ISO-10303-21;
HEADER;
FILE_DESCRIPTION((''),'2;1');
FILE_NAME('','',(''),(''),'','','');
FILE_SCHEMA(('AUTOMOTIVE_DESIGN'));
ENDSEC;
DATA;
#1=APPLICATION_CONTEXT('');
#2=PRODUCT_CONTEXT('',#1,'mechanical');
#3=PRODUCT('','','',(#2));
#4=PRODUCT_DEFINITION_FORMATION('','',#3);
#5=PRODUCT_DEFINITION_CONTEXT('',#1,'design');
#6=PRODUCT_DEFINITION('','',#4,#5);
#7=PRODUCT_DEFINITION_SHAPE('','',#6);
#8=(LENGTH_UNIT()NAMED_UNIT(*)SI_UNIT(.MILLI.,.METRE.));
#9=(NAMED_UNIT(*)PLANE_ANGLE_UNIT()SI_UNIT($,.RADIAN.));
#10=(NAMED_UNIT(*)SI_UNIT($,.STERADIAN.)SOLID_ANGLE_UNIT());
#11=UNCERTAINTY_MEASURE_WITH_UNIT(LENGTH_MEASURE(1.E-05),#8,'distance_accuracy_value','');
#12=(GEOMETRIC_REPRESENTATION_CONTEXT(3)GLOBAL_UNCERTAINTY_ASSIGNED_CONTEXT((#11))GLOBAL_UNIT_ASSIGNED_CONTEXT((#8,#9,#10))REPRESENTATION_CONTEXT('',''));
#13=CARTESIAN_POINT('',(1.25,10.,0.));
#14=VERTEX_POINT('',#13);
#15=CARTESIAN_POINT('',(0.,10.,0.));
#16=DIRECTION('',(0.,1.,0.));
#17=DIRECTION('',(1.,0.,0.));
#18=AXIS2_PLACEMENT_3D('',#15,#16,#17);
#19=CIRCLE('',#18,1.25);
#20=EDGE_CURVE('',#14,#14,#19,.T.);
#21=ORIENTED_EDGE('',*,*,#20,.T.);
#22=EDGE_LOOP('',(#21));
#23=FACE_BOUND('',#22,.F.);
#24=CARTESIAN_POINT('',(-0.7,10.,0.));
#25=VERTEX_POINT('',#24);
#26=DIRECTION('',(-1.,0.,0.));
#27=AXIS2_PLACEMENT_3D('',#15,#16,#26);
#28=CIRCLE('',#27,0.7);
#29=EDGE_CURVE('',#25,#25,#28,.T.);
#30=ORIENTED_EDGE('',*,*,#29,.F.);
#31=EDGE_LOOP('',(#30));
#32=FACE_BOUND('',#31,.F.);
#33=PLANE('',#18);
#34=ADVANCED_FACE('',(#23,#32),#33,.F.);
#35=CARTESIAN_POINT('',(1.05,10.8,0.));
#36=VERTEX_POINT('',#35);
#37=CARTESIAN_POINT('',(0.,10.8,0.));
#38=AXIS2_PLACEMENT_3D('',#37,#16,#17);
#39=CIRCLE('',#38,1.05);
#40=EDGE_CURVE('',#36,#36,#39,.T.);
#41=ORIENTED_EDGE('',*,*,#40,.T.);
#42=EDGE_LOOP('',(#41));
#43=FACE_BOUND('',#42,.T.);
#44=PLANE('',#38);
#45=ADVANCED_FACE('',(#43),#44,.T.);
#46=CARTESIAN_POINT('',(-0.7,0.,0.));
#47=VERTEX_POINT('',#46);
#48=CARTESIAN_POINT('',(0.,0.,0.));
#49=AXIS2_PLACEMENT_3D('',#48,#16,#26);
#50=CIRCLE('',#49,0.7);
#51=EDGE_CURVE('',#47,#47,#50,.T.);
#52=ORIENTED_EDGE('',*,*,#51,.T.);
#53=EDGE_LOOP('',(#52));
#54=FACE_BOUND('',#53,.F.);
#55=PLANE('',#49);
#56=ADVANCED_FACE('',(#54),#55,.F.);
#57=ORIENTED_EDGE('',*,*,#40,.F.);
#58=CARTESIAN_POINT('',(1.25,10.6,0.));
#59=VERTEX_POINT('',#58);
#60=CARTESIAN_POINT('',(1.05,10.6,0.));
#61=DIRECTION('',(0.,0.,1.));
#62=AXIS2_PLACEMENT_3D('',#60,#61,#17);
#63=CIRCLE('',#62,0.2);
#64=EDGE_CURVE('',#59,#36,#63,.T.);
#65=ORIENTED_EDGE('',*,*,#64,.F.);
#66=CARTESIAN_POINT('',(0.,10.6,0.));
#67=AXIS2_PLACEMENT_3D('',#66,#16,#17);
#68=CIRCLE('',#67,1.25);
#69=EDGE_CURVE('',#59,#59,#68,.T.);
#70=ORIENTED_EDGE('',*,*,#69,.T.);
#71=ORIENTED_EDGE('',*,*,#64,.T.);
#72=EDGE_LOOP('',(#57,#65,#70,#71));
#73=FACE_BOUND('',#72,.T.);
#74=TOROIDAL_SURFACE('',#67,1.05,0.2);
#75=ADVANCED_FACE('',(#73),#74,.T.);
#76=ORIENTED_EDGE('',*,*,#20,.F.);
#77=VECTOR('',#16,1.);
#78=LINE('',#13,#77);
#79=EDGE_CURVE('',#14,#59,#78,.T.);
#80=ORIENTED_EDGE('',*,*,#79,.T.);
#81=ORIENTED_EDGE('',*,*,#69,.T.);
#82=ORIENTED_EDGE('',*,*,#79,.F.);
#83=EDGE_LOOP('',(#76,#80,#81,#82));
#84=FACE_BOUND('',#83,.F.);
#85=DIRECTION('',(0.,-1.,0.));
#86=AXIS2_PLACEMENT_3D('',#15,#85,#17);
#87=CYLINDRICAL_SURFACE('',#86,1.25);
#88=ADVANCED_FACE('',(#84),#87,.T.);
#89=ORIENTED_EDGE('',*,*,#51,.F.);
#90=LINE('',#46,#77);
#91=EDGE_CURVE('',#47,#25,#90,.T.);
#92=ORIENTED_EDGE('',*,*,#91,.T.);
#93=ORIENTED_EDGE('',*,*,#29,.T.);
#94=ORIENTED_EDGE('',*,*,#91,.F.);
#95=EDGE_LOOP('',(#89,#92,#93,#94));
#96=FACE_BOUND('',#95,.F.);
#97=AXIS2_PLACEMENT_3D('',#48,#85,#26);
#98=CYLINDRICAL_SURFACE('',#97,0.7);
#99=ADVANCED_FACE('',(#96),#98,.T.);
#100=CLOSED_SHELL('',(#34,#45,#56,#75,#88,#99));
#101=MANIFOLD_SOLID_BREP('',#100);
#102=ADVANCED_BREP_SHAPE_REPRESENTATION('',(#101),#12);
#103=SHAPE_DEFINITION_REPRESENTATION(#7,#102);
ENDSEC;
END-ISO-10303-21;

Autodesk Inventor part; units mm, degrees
ref_plane "YZ Plane" through (0, 0, 0) normal (1, 0, 0) x (0, 1, 0)
ref_plane "XZ Plane" through (0, 0, 0) normal (0, 1, 0) x (-1, 0, 0)
ref_plane "XY Plane" through (0, 0, 0) normal (0, 0, 1) x (1, 0, 0)
sketch "Sketch1" plane through (0, 0, 0) normal (0, 1, 0) x (-1, 0, 0)
  circle A0 centre (0, 0) radius 0.7
  dimension "d0" = 1.4
extrude "Extrusion1" add sketch "Sketch1" along normal blind 10
thread "Thread1" size "M1.4x0.3" class "6g" standard "ANSI Metric M Profile" full length
sketch "Sketch2" plane through (0, 10, 0) normal (0, 1, 0) x (1, 0, 0)
  circle A0 centre (0, 0) radius 1.25
  dimension "d5" = 2.5
extrude "Extrusion2" add sketch "Sketch2" along normal blind 0.8
fillet "Fillet1" radius 0.2 1 edges at (-1.25, 10.8, 0)
properties part number "m1_4_10mm_screw"
